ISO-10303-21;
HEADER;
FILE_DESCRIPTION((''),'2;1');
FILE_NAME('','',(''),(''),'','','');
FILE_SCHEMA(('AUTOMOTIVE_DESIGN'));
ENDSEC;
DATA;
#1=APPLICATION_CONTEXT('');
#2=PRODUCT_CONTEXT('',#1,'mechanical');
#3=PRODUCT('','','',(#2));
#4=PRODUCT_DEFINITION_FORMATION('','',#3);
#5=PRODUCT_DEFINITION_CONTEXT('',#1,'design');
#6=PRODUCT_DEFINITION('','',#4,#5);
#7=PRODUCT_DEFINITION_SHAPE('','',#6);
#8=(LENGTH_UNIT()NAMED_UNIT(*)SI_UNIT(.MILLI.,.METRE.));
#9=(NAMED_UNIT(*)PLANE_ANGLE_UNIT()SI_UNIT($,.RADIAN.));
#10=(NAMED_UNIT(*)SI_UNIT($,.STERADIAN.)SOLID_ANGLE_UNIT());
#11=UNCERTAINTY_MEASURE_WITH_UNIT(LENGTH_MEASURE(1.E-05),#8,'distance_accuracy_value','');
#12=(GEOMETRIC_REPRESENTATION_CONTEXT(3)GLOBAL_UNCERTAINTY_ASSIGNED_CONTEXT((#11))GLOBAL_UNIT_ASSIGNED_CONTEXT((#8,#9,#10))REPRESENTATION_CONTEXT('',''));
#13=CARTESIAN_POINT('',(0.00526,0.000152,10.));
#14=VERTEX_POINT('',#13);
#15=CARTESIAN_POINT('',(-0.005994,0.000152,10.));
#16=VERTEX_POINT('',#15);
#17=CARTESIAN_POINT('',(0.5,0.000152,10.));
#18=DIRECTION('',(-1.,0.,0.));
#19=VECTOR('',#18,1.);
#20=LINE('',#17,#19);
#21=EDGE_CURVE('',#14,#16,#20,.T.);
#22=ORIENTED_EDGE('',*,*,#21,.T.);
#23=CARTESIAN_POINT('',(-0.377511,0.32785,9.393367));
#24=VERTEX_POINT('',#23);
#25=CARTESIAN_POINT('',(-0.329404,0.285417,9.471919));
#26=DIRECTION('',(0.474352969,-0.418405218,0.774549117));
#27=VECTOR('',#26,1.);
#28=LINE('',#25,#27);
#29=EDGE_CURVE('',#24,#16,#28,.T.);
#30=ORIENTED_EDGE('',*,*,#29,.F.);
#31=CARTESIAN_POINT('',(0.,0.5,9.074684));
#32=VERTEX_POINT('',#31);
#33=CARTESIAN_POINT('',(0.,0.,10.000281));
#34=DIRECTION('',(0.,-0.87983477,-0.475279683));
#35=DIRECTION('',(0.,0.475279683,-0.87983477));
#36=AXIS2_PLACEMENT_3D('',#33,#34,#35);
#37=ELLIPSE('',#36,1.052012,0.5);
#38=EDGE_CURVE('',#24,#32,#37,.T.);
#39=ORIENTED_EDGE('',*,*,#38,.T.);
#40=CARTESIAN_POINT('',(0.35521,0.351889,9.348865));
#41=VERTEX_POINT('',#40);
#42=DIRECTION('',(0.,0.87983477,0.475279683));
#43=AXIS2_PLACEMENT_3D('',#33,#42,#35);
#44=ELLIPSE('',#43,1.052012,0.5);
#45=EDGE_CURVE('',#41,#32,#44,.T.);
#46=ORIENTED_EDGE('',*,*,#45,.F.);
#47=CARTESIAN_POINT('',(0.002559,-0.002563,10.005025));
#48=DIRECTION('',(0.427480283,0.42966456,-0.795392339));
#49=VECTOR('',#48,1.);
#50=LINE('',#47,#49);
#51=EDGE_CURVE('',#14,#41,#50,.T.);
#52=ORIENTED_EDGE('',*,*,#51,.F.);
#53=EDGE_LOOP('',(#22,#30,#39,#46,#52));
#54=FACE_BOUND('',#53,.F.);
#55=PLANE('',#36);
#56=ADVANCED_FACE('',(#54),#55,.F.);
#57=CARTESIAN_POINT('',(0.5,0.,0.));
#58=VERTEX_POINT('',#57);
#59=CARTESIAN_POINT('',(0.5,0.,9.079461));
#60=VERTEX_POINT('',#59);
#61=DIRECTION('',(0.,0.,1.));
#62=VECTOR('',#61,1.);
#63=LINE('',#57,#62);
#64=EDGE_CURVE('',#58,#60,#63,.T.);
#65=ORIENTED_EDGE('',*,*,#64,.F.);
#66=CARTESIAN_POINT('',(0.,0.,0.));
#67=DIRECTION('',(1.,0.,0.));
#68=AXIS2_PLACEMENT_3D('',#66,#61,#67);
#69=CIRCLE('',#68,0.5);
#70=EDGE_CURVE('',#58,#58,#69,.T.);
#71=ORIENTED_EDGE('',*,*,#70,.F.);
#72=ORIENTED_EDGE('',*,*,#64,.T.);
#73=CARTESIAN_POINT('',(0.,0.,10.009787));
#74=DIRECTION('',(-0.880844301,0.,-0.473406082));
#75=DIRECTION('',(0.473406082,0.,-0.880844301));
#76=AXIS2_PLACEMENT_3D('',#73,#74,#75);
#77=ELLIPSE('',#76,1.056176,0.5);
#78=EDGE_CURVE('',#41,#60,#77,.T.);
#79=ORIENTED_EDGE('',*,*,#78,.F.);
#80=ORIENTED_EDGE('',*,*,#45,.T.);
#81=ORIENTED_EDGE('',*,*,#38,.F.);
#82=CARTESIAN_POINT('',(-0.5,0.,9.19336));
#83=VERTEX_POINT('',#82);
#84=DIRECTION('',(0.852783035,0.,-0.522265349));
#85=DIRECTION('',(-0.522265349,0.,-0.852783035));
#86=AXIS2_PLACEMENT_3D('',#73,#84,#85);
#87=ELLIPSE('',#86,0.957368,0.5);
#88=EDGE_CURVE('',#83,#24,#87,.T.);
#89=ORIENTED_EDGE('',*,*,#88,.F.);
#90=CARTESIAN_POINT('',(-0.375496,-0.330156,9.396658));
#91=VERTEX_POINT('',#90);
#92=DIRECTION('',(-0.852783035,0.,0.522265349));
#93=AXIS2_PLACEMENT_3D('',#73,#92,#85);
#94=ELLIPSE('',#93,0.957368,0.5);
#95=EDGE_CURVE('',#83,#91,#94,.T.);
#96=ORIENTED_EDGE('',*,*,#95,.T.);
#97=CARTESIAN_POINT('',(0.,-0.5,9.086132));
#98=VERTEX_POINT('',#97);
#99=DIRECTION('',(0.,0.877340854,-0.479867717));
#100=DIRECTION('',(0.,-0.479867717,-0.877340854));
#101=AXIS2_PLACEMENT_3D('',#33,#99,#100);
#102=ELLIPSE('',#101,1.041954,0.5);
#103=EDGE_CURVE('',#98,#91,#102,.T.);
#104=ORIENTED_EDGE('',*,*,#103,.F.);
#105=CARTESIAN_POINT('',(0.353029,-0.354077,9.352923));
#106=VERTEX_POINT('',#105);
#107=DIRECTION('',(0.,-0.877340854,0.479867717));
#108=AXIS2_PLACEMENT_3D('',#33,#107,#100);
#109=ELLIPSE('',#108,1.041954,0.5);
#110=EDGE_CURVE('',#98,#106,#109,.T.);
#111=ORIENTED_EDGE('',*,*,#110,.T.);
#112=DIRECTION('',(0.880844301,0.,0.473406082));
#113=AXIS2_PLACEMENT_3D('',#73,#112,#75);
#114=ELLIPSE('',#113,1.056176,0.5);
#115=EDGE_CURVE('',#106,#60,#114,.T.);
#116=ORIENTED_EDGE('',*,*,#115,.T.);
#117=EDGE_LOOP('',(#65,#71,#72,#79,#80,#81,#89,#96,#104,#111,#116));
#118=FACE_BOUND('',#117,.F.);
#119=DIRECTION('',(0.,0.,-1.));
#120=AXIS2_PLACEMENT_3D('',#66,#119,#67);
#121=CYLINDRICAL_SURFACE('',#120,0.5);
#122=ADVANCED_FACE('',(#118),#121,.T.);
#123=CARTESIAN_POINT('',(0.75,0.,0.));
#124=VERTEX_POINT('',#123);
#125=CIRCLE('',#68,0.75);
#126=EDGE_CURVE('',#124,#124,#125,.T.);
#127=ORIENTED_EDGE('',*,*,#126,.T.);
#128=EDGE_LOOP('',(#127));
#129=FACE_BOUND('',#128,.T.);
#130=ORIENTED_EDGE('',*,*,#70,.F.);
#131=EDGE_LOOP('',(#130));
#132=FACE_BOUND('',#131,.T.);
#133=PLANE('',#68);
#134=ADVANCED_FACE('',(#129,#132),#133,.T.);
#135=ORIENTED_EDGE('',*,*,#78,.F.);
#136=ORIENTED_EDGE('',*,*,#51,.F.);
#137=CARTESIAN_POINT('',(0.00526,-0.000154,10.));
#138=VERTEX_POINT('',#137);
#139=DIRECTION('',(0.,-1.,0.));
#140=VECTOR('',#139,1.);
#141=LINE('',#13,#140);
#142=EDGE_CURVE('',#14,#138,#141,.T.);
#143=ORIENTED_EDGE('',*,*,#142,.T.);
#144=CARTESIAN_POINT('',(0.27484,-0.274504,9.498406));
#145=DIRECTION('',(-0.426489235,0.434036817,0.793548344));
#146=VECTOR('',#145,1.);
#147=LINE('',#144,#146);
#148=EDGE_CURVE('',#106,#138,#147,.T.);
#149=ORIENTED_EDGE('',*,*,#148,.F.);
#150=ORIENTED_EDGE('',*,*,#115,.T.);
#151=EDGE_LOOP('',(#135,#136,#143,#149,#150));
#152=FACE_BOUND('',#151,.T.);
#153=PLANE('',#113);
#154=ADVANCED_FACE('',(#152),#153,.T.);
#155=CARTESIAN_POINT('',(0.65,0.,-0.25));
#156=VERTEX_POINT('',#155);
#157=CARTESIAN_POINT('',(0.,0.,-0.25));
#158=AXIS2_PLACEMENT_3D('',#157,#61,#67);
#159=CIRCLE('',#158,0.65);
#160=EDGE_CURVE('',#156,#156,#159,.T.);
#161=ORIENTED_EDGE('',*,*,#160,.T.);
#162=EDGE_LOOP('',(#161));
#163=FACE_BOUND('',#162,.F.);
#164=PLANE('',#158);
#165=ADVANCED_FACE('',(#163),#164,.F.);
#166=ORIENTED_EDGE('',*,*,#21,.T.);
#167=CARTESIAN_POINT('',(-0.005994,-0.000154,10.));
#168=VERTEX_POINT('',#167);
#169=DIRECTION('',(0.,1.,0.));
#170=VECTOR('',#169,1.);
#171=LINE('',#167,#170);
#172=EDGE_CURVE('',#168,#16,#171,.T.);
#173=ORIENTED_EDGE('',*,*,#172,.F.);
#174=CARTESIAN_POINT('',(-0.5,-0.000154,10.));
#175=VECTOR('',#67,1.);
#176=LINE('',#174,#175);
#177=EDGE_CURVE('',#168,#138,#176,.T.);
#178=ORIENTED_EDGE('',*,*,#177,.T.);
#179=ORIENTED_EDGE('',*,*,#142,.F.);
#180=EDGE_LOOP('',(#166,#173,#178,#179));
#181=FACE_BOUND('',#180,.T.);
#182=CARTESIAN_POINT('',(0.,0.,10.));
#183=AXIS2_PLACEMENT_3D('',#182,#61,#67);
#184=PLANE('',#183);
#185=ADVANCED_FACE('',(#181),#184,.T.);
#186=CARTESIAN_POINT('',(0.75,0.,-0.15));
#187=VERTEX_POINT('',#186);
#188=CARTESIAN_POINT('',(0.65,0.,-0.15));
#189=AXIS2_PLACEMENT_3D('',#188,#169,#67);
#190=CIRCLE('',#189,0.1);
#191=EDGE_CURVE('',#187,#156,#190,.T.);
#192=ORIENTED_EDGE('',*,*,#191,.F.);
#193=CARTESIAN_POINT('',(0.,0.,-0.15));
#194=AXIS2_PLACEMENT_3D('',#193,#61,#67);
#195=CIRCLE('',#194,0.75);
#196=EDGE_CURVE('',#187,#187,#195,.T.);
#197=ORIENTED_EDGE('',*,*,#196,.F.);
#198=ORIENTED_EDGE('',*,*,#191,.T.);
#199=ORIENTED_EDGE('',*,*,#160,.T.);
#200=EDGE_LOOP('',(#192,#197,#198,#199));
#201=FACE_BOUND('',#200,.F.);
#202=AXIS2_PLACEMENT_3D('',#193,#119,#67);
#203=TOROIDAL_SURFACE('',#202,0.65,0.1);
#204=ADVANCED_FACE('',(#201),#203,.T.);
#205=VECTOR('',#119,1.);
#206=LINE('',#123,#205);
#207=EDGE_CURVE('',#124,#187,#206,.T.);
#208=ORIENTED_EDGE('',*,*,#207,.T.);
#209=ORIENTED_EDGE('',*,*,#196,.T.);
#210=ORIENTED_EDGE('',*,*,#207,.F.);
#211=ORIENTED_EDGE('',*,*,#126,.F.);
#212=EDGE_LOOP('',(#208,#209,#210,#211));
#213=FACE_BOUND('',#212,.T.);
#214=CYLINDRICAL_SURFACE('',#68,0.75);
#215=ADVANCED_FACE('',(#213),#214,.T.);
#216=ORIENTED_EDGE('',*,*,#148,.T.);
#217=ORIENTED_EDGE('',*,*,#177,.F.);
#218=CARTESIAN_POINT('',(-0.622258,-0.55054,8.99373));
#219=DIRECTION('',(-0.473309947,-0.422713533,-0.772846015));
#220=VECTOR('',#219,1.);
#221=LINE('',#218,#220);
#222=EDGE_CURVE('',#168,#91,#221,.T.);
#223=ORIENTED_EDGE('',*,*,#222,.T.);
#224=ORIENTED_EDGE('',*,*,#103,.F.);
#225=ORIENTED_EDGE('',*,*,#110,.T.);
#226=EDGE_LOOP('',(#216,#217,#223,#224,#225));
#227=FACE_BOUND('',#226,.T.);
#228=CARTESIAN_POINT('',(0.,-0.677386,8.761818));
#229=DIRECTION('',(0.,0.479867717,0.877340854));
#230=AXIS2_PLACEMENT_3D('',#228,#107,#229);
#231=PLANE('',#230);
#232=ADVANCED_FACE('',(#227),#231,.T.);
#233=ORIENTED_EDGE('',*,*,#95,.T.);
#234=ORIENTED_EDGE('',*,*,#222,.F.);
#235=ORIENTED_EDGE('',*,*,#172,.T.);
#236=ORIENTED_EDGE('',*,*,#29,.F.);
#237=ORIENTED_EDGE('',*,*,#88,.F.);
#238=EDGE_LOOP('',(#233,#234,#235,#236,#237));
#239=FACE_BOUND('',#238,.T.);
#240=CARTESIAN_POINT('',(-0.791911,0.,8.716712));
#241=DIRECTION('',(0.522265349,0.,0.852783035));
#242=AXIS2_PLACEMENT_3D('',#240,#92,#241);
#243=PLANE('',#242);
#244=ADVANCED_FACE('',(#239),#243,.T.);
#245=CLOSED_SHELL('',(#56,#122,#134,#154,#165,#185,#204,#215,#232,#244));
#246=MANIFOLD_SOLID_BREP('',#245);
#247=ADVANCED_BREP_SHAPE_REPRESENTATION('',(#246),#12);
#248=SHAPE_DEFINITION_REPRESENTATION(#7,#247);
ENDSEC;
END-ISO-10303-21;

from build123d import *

# Parameters (mm, degrees)
F0_R          = 0.5
F1_DEPTH      = 10
F0_R_2        = 0.75
F2_DEPTH      = 0.25
F3_R          = 0.1
F5_DEPTH      = 25
F5_DEPTH_BACK = 25
F7_DEPTH      = 25
F7_DEPTH_BACK = 25


with BuildPart() as f1:
    # F0 (on Top) → F1 (new body)
    with BuildSketch(Plane.XY):
        Circle(F0_R)
    extrude(amount=F1_DEPTH)

    # F0 (on Top) → F2 (join)
    with BuildSketch(Plane.XY):
        Circle(F0_R_2)
        Circle(F0_R, mode=Mode.SUBTRACT)
        Circle(F0_R)
    extrude(amount=-F2_DEPTH)

    # F3
    f3_edges = [f1.edges().sort_by_distance(p)[0] for p in [
        (-0.75, 0, -0.25),
    ]]
    fillet(f3_edges, radius=F3_R)

    # F4 (on Right) → F5 (cut, two sides)
    with BuildSketch(Plane.YZ) as f5_sk:
        Polygon((-0.677386, 8.761818), (0, 10.000281), (0.69153, 8.720125), (0.69153, 10.707485), (-0.809413, 10.707485), align=None)
    extrude(amount=F5_DEPTH, mode=Mode.SUBTRACT)
    extrude(f5_sk.sketch, amount=-F5_DEPTH_BACK, mode=Mode.SUBTRACT)

    # F6 (on Front) → F7 (cut, two sides)
    with BuildSketch(Plane.XZ) as f7_sk:
        Polygon((-0.791911, 8.716712), (0, 10.009787), (0.678298, 8.74771), (0.678298, 10.293201), (-0.791911, 10.293201), align=None)
    extrude(amount=F7_DEPTH, mode=Mode.SUBTRACT)
    extrude(f7_sk.sketch, amount=-F7_DEPTH_BACK, mode=Mode.SUBTRACT)


solid = f1.part
